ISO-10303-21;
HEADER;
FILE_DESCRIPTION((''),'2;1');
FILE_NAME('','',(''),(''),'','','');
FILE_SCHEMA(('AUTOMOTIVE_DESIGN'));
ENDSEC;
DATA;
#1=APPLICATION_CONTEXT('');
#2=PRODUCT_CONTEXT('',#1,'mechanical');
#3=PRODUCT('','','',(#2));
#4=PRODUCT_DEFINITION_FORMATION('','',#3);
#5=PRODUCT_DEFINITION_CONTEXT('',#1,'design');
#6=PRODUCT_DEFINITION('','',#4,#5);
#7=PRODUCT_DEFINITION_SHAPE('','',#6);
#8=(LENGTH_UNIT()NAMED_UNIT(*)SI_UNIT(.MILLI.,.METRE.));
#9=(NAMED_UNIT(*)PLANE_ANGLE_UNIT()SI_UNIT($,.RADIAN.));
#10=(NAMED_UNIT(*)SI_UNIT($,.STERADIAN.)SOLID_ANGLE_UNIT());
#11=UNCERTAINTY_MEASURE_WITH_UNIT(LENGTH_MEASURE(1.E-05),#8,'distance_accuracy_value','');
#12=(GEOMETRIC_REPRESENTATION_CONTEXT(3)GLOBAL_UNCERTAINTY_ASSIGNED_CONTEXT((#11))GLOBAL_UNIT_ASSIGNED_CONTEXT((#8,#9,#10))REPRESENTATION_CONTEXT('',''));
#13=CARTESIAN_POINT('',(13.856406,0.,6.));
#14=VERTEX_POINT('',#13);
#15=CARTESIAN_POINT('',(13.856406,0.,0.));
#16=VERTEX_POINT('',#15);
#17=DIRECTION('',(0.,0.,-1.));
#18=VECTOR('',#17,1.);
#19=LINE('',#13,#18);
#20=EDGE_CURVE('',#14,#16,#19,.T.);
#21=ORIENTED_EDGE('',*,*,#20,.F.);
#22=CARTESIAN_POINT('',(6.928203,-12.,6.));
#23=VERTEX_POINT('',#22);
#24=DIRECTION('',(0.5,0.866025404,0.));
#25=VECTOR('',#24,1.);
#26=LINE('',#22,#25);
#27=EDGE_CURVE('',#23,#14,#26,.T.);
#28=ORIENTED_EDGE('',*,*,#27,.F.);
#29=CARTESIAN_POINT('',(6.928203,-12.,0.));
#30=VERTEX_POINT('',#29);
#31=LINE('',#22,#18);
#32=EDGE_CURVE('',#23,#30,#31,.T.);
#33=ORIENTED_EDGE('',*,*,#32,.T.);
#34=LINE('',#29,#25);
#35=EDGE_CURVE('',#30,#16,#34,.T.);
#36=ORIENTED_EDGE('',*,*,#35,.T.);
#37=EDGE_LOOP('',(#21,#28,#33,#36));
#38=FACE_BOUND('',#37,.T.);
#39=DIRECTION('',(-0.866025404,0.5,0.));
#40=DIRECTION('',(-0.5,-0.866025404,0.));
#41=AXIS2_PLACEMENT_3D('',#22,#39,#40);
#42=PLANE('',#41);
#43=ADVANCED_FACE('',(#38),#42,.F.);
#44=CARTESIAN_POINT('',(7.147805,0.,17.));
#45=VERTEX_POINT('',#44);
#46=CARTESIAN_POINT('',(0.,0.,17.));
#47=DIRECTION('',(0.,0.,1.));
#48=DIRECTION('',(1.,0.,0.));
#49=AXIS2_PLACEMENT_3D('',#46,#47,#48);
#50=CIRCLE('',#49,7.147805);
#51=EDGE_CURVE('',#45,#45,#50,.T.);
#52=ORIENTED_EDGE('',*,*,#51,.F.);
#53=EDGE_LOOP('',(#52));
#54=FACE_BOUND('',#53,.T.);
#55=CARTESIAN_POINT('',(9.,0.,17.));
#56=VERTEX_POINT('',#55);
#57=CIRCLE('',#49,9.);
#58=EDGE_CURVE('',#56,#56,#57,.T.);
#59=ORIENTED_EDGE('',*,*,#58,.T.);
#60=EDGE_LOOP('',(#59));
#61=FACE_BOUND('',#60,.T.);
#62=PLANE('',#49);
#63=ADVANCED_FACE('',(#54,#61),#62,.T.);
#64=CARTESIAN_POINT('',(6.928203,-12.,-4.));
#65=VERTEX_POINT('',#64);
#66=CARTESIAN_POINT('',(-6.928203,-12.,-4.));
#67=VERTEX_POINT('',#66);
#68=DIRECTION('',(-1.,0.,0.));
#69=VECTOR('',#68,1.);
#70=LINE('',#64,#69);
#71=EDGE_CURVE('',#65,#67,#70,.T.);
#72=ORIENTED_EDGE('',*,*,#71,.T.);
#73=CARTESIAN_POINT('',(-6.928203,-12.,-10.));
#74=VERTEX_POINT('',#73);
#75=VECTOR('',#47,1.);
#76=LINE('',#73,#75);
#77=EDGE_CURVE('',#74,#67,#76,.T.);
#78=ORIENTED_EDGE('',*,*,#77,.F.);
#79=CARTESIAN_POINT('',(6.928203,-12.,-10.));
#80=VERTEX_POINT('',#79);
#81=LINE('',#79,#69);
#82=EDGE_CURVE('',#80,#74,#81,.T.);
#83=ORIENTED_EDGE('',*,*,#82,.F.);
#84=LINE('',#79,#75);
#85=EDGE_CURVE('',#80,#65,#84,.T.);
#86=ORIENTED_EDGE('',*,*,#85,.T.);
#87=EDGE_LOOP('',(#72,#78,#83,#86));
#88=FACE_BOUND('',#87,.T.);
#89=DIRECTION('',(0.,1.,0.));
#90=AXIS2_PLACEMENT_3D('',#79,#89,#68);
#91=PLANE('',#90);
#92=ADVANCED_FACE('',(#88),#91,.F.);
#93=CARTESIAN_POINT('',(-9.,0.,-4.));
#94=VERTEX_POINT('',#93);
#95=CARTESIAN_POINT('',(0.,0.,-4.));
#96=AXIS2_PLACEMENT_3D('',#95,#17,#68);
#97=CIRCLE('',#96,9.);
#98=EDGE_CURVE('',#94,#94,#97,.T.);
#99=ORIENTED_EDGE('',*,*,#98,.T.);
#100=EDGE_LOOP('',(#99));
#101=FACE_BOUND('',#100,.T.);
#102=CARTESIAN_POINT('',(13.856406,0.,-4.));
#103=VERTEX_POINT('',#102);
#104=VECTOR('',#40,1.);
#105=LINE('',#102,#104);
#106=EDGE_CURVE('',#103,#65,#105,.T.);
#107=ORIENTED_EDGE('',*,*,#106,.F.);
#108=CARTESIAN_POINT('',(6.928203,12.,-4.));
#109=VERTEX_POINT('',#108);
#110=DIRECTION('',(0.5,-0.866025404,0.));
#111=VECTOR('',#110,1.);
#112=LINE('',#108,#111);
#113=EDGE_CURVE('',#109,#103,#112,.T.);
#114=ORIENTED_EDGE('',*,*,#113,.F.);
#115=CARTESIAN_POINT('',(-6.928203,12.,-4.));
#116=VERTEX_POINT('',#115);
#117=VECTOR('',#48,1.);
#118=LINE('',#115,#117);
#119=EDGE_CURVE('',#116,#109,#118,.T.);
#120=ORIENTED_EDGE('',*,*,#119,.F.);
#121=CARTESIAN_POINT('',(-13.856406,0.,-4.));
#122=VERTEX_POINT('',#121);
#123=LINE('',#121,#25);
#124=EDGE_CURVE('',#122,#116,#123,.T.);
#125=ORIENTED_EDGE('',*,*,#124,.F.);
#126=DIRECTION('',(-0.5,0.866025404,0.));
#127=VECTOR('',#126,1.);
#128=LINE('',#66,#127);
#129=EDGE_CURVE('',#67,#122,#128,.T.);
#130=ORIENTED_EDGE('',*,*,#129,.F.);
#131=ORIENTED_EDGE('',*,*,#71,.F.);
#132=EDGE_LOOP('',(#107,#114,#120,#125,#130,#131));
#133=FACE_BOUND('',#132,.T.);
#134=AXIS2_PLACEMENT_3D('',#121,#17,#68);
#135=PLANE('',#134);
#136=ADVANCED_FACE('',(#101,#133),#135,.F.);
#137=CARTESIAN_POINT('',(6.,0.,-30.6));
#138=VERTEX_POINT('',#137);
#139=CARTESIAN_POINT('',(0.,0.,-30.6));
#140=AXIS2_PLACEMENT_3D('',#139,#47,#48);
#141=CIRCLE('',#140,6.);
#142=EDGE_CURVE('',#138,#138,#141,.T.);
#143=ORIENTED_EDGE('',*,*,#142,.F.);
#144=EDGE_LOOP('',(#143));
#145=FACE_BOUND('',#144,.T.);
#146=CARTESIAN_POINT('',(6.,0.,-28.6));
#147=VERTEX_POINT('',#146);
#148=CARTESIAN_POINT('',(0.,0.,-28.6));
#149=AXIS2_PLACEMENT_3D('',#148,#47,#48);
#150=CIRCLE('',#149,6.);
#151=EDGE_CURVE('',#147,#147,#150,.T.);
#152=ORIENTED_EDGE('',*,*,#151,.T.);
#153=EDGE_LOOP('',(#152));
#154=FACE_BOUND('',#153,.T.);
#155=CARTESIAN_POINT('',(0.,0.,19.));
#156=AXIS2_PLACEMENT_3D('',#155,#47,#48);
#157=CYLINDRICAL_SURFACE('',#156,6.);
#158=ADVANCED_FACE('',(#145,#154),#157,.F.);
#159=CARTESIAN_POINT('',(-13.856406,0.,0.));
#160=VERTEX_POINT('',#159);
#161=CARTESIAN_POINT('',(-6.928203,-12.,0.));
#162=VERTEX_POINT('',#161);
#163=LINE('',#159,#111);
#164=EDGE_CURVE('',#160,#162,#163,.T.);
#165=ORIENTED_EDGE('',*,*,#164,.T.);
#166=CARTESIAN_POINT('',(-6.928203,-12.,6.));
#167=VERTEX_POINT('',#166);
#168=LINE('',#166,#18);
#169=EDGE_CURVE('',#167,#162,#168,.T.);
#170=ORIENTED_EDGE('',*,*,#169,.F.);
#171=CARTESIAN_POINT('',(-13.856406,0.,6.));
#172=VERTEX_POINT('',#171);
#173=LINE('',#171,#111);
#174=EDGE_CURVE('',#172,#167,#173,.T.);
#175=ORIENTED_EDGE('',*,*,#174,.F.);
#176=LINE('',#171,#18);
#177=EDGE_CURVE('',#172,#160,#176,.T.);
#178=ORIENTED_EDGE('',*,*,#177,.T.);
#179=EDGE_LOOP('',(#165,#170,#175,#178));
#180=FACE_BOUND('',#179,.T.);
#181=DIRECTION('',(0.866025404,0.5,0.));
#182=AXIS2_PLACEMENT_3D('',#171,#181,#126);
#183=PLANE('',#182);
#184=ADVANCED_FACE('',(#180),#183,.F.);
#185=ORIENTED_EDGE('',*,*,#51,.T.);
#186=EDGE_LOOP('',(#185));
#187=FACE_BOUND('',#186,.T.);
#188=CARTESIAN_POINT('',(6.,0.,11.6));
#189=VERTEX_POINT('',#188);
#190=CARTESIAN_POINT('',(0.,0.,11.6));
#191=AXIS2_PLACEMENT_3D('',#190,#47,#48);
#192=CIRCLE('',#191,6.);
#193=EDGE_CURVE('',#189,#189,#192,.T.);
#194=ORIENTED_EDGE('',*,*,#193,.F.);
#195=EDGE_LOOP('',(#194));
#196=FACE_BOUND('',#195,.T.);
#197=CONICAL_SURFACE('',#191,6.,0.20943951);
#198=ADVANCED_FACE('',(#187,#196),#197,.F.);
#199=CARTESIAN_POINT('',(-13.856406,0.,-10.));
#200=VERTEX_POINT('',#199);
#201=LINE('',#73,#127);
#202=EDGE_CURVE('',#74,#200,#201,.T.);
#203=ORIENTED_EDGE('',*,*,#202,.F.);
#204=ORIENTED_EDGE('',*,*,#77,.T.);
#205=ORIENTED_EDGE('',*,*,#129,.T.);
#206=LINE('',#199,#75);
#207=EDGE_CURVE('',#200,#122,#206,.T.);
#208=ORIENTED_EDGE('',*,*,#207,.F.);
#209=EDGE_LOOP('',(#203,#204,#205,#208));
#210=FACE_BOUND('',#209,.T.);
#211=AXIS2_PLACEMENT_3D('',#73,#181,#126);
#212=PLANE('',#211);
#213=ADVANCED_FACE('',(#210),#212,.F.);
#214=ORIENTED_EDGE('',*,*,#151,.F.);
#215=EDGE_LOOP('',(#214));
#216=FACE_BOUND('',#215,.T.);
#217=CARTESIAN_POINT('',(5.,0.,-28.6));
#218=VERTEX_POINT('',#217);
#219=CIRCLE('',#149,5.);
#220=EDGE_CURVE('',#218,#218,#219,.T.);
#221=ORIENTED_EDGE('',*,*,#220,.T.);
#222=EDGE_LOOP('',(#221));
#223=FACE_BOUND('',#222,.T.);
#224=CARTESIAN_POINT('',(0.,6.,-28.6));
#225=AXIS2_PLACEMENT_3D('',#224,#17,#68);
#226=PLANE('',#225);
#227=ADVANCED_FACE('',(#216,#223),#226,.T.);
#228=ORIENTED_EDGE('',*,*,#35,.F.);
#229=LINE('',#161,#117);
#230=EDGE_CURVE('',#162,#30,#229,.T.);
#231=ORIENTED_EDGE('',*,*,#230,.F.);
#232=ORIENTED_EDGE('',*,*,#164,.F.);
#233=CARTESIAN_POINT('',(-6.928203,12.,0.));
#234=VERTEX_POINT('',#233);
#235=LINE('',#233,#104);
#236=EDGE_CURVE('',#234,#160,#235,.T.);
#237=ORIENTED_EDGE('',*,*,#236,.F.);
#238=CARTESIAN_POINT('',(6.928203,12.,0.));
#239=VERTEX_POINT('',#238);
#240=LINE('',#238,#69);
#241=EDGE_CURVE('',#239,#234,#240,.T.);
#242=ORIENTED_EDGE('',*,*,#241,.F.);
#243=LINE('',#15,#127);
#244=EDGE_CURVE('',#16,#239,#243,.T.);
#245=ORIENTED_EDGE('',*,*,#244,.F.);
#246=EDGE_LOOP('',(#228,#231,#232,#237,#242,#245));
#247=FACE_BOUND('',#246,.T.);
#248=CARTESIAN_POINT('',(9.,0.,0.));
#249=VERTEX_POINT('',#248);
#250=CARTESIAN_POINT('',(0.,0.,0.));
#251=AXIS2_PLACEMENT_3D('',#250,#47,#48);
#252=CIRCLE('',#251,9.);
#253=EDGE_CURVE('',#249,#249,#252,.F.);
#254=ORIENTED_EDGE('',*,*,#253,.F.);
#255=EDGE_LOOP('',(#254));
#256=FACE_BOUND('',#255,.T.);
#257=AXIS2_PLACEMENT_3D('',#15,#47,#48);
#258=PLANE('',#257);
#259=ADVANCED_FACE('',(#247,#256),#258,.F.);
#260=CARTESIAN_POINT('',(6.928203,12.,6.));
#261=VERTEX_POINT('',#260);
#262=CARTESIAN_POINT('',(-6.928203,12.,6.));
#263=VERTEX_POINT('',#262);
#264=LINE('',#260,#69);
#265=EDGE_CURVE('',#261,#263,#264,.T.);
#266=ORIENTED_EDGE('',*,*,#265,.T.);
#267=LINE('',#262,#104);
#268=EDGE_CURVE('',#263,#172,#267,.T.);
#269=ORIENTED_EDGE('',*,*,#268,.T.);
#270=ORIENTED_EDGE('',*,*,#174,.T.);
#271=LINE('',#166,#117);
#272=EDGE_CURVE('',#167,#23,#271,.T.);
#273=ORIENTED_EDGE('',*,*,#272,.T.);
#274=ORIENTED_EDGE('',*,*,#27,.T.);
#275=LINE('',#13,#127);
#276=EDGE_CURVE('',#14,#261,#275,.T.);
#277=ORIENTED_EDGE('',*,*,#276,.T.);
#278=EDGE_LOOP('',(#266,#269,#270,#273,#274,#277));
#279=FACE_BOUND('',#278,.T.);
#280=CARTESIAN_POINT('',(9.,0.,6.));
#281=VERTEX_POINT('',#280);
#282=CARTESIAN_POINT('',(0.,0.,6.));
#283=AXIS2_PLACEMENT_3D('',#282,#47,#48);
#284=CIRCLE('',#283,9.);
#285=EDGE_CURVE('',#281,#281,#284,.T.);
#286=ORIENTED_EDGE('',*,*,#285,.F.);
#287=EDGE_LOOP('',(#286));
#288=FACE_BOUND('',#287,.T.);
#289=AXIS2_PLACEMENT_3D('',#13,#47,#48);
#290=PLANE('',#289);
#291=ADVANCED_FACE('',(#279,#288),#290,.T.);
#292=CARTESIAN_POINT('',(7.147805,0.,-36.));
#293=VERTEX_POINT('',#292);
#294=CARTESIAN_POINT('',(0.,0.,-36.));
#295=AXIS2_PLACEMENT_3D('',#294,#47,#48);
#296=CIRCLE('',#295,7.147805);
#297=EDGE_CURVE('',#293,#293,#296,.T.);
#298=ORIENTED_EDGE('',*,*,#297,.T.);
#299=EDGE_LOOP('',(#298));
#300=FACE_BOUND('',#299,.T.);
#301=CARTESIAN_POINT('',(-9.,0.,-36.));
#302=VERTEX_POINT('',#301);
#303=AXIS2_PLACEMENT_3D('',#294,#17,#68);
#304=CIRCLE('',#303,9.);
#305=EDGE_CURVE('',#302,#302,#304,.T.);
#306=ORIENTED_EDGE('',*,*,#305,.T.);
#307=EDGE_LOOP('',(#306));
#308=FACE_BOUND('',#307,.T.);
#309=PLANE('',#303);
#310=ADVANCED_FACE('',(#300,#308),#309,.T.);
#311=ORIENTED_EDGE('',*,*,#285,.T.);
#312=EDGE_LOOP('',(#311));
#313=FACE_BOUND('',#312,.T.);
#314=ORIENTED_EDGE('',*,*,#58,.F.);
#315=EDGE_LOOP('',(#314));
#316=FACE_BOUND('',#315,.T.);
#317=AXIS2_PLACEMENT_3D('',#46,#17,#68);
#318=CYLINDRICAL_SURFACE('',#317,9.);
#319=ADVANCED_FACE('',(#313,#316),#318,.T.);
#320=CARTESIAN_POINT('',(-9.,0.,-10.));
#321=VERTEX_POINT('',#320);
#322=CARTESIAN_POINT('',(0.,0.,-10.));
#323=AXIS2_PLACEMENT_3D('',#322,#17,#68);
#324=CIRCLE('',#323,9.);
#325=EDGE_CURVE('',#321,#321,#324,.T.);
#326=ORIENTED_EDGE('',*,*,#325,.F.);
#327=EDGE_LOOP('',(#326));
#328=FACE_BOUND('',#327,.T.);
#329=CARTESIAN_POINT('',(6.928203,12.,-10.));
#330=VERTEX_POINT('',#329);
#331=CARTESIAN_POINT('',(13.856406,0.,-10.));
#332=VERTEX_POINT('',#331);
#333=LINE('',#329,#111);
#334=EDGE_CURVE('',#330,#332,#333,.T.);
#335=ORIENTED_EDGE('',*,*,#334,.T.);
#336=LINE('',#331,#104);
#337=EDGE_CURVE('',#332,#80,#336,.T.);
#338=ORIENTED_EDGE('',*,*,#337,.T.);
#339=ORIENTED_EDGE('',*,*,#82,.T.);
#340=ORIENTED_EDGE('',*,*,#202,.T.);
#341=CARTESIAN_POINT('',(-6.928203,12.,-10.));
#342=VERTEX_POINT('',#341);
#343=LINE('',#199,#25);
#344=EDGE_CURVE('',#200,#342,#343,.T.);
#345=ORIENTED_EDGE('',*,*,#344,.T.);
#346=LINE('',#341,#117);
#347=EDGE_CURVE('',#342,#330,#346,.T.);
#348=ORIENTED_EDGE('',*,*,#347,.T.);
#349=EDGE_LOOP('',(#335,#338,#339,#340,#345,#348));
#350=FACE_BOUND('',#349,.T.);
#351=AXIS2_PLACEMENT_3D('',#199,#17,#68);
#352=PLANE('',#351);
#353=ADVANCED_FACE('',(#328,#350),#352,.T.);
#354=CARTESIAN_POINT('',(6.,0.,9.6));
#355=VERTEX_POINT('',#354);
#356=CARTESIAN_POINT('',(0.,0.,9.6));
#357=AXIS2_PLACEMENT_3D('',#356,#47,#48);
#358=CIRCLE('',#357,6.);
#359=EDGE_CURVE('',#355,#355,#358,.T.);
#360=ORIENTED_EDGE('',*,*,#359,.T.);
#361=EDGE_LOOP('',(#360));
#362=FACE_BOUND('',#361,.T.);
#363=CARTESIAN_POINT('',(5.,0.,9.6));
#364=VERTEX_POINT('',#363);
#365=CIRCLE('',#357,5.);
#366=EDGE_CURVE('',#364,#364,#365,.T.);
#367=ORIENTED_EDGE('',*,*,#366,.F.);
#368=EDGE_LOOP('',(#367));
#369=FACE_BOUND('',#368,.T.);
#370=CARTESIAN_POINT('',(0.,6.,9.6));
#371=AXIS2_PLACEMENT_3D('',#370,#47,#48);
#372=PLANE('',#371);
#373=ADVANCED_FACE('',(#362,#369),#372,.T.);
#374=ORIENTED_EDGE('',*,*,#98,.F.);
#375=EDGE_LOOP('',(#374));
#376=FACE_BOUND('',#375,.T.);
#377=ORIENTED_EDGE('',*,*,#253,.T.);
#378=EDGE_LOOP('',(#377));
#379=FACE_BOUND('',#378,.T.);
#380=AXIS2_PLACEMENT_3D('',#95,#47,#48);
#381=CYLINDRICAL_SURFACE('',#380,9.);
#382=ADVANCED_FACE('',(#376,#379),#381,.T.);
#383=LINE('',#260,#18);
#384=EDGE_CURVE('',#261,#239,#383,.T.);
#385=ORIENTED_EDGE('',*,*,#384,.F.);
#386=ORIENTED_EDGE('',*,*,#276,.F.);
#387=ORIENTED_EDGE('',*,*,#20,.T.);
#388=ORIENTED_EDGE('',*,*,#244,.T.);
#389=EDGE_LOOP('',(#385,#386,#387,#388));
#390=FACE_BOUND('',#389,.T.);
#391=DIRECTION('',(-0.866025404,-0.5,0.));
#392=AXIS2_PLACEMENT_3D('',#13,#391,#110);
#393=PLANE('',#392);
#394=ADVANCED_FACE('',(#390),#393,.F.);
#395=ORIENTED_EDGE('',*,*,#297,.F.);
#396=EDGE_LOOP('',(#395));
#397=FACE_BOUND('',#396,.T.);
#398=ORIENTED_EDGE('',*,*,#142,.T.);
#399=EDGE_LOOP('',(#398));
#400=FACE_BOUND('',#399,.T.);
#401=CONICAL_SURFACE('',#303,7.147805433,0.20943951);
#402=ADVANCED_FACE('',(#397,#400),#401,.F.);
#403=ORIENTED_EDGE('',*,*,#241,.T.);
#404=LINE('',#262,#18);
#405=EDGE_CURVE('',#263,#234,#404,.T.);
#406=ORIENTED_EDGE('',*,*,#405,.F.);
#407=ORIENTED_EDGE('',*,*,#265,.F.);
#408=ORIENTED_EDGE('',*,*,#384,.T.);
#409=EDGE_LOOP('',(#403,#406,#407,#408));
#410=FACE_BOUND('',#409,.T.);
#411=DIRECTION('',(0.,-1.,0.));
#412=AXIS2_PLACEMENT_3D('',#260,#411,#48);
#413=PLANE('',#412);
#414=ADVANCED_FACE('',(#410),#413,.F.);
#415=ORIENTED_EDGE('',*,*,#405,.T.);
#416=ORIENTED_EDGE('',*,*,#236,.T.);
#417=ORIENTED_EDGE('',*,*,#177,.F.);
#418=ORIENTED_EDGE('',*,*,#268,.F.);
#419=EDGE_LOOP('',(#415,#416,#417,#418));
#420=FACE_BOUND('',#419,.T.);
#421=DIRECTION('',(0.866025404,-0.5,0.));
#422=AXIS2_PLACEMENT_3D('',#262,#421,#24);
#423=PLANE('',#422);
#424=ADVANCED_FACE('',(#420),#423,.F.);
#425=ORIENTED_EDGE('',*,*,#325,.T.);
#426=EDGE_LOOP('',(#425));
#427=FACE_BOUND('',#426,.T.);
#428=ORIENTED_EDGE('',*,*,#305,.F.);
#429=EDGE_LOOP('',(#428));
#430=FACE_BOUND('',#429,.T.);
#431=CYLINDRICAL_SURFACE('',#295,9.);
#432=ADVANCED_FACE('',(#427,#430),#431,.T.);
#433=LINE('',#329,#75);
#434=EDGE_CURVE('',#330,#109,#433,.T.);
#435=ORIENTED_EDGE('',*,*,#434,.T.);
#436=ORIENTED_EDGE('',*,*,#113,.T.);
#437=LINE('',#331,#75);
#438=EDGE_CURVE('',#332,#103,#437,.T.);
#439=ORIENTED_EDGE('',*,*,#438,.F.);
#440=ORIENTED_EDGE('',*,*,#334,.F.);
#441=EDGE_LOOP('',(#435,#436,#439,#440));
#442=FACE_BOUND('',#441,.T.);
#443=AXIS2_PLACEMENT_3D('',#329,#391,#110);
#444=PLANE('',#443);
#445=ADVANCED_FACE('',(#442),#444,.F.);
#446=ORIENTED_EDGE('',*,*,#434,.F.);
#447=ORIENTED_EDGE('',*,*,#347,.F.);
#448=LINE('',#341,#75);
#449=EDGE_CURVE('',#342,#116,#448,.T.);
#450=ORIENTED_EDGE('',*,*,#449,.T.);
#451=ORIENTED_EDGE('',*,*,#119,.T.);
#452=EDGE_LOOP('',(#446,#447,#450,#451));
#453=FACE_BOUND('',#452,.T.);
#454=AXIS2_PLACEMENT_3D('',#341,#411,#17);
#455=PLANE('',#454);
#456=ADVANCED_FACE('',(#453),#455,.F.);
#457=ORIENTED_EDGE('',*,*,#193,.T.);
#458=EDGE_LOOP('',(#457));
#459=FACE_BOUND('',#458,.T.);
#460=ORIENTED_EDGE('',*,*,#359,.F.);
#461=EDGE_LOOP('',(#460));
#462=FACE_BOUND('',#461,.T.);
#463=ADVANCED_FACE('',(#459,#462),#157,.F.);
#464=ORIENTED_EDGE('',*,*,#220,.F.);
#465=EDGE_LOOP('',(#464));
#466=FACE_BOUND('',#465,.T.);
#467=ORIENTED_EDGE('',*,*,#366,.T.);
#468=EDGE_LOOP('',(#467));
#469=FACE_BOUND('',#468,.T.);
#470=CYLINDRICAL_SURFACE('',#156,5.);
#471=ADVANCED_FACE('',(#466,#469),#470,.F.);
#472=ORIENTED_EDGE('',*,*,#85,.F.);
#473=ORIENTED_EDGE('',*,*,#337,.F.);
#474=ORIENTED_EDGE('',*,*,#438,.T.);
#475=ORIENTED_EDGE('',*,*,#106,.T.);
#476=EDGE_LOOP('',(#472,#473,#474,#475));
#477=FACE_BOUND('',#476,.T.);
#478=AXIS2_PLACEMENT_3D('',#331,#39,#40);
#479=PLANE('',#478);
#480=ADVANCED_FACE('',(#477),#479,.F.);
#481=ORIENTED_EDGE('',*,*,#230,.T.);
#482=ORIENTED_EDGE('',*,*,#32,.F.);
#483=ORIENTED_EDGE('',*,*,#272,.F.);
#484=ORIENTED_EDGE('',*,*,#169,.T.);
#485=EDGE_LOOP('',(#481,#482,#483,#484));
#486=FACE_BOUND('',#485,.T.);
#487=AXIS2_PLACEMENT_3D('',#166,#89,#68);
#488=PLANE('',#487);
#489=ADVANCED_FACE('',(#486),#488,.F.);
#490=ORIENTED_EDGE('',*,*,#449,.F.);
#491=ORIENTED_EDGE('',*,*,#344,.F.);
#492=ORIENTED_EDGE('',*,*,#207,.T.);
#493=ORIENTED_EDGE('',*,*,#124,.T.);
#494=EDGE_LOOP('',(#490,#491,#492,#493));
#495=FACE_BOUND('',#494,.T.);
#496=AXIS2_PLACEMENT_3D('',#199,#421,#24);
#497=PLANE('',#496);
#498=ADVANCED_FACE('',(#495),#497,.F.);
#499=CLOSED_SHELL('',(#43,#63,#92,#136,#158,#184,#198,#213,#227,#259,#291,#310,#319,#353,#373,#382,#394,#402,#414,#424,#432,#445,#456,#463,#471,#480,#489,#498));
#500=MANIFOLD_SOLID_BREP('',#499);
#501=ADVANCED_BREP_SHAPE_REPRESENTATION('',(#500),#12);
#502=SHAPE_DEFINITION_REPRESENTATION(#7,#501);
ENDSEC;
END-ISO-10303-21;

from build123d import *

# Parameters (mm, degrees)
BASE_EXTRUDE_DEPTH  = 6
SKETCH2_R           = 9
BOSS_EXTRUDE1_DEPTH = 11
SKETCH3_R           = 9
BOSS_EXTRUDE2_DEPTH = 4
BOSS_EXTRUDE3_DEPTH = 6
SKETCH5_R           = 9
BOSS_EXTRUDE4_DEPTH = 26


with BuildPart() as part:
    # Sketch1 → Base-Extrude (new body)
    with BuildSketch(Plane.XY):
        Polygon((13.856406461, 0), (6.92820323, 12), (-6.92820323, 12), (-13.856406461, 0), (-6.92820323, -12), (6.92820323, -12), align=None)
    extrude(amount=BASE_EXTRUDE_DEPTH)

    # Sketch2 → Boss-Extrude1 (add)
    with BuildSketch(Plane.XY.offset(6)):
        Circle(SKETCH2_R)
    extrude(amount=BOSS_EXTRUDE1_DEPTH)

    # Sketch3 → Boss-Extrude2 (add)
    with BuildSketch(Plane(origin=(0, 0, 0), x_dir=(-1, 0, 0), z_dir=(0, 0, -1))):
        Circle(SKETCH3_R)
    extrude(amount=BOSS_EXTRUDE2_DEPTH)

    # Sketch4 → Boss-Extrude3 (add)
    with BuildSketch(Plane(origin=(0, 0, -4), x_dir=(-1, 0, 0), z_dir=(0, 0, -1))):
        Polygon((13.856406461, 0), (6.92820323, 12), (-6.92820323, 12), (-13.856406461, 0), (-6.92820323, -12), (6.92820323, -12), align=None)
    extrude(amount=BOSS_EXTRUDE3_DEPTH)

    # Sketch5 → Boss-Extrude4 (add)
    with BuildSketch(Plane(origin=(0, 0, -10), x_dir=(-1, 0, 0), z_dir=(0, 0, -1))):
        Circle(SKETCH5_R)
    extrude(amount=BOSS_EXTRUDE4_DEPTH)

    # Sketch8 → Cut-Revolve1 (revolve, cut)
    with BuildSketch(Plane(origin=(0, 0, 0), x_dir=(0, 0, -1), z_dir=(1, 0, 0))):
        Polygon((36, 0), (36, 7.147805433), (30.6, 6), (28.6, 6), (28.6, 5), (-9.6, 5), (-9.6, 6), (-11.6, 6), (-17, 7.147805433), (-17, 0), align=None)
    revolve(axis=Axis((0, 0, 19), (0, 0, -1)), mode=Mode.SUBTRACT)


solid = part.part
